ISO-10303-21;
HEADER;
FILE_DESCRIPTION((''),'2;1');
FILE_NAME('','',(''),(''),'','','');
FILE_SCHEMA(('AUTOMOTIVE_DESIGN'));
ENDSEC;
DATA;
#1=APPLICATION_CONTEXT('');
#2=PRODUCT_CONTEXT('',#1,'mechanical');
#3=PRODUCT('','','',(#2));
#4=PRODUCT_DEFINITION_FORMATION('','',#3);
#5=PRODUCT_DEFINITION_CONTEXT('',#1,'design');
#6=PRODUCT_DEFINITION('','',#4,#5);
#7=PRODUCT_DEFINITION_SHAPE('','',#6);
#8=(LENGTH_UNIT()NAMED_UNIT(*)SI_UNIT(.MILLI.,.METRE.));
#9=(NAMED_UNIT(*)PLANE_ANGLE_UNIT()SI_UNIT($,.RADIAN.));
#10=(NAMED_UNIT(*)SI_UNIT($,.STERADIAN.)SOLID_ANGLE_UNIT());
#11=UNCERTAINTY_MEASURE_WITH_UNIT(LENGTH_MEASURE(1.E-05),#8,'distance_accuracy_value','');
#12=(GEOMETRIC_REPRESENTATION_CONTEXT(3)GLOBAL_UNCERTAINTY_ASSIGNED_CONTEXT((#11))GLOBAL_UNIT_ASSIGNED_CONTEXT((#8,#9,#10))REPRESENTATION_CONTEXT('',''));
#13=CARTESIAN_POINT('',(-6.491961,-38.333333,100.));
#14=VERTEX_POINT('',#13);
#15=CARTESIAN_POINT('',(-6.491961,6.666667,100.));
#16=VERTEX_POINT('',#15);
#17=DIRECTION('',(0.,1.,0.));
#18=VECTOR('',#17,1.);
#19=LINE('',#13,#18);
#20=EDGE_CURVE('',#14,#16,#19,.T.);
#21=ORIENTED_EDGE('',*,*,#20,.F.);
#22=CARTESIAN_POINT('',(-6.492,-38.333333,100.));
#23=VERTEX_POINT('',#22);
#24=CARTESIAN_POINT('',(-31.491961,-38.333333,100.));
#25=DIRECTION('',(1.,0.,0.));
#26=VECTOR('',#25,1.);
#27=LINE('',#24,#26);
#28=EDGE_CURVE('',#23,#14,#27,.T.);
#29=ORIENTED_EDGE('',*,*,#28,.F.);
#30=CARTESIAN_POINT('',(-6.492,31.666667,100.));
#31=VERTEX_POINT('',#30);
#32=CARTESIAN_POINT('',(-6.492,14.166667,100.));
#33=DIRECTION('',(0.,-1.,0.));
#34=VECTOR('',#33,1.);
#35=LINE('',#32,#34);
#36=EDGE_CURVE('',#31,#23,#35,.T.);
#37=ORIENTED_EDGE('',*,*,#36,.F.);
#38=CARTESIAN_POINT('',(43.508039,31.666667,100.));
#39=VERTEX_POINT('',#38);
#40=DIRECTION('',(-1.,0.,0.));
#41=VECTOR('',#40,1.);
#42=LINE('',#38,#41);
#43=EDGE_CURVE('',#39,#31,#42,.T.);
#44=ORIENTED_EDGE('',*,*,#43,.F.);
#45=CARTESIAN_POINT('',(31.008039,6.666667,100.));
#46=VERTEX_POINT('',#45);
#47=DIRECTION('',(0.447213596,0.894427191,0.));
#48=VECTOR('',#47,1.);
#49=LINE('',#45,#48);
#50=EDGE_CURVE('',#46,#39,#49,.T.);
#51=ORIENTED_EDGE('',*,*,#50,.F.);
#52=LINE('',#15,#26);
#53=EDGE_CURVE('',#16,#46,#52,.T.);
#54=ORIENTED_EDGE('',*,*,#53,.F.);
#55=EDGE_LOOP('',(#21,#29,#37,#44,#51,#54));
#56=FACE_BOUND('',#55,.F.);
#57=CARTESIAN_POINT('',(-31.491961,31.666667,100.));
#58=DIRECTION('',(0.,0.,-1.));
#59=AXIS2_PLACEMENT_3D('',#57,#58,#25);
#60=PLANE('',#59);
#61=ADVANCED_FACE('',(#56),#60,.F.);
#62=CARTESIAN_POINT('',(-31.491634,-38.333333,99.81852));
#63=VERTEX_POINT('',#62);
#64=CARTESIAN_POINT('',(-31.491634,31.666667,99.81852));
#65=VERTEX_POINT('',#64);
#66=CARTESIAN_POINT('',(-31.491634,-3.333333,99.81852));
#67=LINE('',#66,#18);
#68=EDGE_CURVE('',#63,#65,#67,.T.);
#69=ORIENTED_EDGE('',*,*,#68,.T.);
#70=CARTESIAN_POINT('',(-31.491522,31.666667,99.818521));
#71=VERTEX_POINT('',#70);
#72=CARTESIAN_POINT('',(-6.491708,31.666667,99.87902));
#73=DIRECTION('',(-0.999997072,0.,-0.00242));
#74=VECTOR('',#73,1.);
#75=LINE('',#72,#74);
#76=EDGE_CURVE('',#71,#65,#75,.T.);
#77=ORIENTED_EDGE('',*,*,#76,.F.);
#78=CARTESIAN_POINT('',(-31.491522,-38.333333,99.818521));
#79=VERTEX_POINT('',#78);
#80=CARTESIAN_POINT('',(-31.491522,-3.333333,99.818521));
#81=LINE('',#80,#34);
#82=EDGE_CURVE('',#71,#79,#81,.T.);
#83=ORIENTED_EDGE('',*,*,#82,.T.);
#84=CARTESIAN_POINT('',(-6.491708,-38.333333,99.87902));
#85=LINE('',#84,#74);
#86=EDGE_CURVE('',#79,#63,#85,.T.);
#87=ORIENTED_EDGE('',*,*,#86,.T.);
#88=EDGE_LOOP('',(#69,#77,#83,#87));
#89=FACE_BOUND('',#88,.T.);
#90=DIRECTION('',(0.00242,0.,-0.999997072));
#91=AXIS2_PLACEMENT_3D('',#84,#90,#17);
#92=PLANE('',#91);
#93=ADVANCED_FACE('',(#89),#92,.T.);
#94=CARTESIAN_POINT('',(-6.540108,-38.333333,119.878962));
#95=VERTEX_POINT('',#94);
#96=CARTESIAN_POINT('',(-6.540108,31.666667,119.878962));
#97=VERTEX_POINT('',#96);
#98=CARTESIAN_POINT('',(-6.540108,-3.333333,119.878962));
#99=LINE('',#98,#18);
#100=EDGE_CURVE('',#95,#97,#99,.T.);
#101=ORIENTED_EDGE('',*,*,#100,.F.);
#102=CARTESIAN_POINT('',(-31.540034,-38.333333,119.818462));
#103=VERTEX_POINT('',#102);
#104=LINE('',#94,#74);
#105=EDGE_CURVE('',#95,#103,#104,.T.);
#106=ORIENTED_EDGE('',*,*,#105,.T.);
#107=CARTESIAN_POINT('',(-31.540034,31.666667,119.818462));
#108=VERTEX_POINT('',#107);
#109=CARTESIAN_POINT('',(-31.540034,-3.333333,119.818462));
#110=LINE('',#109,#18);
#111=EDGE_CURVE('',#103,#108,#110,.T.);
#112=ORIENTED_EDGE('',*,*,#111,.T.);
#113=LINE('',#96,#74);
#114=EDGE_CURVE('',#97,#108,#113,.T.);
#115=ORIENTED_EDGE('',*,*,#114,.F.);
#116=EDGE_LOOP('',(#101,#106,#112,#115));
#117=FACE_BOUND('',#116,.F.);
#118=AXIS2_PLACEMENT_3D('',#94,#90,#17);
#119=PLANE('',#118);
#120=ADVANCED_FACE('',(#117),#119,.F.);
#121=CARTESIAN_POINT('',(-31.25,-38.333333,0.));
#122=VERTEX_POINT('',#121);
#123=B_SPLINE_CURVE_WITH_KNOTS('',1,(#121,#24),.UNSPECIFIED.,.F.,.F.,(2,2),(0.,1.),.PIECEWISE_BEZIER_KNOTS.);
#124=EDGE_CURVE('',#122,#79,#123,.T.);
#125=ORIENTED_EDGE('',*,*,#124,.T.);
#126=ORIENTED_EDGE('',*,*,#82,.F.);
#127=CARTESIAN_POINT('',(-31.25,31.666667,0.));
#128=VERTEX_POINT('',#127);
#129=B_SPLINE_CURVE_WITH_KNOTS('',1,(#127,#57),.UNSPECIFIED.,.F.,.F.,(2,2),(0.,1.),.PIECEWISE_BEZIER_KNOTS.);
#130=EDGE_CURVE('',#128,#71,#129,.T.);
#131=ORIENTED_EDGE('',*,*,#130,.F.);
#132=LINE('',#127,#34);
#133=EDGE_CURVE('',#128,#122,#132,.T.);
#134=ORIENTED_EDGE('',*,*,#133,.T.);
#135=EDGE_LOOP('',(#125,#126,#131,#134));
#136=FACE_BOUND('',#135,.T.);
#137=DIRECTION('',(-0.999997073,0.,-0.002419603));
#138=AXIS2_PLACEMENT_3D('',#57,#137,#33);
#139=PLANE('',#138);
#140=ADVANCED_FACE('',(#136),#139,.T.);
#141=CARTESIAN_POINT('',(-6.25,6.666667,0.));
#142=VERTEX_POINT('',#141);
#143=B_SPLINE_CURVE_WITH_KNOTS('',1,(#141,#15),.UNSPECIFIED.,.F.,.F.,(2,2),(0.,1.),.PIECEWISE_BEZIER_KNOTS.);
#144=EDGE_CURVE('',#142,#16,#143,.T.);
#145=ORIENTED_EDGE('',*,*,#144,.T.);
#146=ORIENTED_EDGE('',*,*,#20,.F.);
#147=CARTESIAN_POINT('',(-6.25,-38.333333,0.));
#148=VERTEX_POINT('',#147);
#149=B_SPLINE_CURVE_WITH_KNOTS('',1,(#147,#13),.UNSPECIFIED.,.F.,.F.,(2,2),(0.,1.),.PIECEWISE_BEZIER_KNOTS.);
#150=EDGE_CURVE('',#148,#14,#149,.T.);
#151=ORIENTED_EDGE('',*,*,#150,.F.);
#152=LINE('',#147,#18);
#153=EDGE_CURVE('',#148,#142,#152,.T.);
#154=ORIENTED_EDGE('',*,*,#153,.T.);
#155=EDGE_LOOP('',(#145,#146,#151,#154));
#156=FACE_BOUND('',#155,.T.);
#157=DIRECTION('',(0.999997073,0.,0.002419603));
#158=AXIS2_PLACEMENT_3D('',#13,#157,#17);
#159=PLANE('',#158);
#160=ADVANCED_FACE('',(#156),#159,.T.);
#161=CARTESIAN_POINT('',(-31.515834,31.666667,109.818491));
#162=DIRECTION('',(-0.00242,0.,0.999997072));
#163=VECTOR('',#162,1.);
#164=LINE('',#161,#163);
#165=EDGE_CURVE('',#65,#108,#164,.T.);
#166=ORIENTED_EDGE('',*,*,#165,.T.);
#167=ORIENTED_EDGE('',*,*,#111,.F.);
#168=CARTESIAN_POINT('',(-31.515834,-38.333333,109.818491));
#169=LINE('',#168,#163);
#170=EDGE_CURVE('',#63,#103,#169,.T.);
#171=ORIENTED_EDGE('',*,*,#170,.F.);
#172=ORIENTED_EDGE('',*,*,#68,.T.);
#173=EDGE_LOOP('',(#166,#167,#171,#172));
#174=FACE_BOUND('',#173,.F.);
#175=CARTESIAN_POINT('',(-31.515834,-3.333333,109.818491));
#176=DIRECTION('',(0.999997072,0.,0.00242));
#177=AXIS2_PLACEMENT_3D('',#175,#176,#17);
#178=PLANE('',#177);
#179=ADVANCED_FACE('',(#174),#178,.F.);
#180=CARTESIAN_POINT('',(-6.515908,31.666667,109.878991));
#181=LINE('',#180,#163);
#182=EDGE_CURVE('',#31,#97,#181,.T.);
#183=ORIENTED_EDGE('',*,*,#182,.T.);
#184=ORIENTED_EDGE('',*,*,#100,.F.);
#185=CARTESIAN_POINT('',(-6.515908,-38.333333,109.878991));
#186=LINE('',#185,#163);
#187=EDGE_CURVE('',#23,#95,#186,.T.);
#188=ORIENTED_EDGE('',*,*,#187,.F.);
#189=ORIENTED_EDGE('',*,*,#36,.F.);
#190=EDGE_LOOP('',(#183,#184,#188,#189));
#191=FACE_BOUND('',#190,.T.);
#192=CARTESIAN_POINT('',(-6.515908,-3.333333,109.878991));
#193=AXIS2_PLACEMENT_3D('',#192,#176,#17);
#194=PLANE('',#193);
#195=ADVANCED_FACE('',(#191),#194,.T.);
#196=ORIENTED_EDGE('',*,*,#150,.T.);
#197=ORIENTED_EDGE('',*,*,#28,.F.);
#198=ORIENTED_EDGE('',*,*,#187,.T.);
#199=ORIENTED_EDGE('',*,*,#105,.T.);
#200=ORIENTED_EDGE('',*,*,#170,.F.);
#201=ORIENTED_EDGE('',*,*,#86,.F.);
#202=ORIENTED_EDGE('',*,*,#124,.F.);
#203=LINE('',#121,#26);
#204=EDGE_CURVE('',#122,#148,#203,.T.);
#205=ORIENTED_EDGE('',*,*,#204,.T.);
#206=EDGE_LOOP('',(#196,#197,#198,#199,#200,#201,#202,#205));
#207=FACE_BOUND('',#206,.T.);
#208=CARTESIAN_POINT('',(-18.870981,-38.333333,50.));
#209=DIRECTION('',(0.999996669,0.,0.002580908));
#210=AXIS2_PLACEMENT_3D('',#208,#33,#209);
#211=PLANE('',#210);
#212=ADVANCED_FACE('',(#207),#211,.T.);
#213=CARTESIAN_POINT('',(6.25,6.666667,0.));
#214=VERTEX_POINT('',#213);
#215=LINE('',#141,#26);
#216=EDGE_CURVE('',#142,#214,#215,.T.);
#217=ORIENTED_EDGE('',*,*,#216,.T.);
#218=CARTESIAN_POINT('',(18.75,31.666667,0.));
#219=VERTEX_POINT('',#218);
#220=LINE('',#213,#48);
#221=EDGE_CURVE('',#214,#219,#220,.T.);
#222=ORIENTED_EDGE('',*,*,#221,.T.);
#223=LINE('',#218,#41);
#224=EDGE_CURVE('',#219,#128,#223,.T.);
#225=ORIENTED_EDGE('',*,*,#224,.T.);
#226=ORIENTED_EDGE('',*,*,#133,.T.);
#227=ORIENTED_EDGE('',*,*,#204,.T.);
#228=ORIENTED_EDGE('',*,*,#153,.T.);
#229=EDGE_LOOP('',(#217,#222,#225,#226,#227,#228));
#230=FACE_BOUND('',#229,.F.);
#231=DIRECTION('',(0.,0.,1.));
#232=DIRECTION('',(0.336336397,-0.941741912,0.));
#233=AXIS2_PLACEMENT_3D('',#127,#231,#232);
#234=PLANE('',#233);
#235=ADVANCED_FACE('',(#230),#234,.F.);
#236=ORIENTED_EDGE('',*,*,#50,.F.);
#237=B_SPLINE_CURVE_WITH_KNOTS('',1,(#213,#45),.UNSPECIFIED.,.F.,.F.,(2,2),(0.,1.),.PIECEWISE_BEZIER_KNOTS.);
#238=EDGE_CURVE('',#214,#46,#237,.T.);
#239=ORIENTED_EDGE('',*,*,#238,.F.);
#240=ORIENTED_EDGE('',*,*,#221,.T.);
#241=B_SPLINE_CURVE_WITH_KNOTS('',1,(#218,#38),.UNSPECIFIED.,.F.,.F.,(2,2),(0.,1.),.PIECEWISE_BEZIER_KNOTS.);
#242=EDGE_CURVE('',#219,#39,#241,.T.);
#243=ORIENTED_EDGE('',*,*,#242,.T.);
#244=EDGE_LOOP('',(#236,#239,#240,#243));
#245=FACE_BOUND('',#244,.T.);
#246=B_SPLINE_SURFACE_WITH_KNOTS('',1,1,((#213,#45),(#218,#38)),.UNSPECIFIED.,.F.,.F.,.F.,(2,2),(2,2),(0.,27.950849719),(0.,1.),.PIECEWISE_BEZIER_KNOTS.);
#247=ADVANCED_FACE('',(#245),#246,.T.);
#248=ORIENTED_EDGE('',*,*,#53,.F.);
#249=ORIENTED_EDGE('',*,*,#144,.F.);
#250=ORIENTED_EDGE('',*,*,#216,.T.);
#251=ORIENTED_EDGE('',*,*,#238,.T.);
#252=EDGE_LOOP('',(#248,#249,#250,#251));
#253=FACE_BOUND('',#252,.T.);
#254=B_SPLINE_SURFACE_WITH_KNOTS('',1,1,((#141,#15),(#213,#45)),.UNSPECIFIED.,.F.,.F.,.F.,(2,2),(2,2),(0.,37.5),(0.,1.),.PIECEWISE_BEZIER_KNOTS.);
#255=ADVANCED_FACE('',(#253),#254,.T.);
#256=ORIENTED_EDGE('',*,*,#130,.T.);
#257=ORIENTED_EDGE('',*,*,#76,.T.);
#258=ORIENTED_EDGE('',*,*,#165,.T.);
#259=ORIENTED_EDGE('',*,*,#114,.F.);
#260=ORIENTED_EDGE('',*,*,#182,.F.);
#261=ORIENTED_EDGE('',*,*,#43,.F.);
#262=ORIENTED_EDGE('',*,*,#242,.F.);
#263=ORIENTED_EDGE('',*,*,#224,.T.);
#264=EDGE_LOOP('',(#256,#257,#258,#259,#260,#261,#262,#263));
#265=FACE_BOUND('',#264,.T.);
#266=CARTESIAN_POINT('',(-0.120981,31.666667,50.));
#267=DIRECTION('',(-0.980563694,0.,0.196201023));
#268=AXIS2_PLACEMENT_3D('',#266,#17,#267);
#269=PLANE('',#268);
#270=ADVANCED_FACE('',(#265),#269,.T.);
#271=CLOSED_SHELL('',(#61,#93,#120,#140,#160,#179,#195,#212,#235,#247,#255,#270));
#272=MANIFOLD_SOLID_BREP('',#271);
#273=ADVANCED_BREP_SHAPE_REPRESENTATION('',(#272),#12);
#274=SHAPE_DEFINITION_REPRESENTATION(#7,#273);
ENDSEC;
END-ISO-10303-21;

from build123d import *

# Parameters (mm, degrees)
F4_W     = 70
F4_H     = 20
F5_DEPTH = 25


with BuildPart() as f3:
    # F2 (on Top) → F3 section 0
    with BuildSketch(Plane.XY):
        Polygon((-31.25, 31.666667), (-31.25, -38.333333), (-6.25, -38.333333), (-6.25, 6.666667), (6.25, 6.666667), (18.75, 31.666667), align=None)
    # F1 (on offset) → F3 section 1
    with BuildSketch(Plane.XY.offset(100)):
        Polygon((-31.491961, 31.666667), (-31.491961, -38.333333), (-6.491961, -38.333333), (-6.491961, 6.666667), (31.008039, 6.666667), (43.508039, 31.666667), align=None)
    loft()

    # F4 (on face) → F5 (join)
    with BuildSketch(Plane(origin=(-6.249963, 0, -0.015122), x_dir=(0, 1, 0), z_dir=(0.999997, 0, 0.00242))):
        with Locations((-3.333333, 109.894435)):
            Rectangle(F4_W, F4_H)
    extrude(amount=-F5_DEPTH)


solid = f3.part
